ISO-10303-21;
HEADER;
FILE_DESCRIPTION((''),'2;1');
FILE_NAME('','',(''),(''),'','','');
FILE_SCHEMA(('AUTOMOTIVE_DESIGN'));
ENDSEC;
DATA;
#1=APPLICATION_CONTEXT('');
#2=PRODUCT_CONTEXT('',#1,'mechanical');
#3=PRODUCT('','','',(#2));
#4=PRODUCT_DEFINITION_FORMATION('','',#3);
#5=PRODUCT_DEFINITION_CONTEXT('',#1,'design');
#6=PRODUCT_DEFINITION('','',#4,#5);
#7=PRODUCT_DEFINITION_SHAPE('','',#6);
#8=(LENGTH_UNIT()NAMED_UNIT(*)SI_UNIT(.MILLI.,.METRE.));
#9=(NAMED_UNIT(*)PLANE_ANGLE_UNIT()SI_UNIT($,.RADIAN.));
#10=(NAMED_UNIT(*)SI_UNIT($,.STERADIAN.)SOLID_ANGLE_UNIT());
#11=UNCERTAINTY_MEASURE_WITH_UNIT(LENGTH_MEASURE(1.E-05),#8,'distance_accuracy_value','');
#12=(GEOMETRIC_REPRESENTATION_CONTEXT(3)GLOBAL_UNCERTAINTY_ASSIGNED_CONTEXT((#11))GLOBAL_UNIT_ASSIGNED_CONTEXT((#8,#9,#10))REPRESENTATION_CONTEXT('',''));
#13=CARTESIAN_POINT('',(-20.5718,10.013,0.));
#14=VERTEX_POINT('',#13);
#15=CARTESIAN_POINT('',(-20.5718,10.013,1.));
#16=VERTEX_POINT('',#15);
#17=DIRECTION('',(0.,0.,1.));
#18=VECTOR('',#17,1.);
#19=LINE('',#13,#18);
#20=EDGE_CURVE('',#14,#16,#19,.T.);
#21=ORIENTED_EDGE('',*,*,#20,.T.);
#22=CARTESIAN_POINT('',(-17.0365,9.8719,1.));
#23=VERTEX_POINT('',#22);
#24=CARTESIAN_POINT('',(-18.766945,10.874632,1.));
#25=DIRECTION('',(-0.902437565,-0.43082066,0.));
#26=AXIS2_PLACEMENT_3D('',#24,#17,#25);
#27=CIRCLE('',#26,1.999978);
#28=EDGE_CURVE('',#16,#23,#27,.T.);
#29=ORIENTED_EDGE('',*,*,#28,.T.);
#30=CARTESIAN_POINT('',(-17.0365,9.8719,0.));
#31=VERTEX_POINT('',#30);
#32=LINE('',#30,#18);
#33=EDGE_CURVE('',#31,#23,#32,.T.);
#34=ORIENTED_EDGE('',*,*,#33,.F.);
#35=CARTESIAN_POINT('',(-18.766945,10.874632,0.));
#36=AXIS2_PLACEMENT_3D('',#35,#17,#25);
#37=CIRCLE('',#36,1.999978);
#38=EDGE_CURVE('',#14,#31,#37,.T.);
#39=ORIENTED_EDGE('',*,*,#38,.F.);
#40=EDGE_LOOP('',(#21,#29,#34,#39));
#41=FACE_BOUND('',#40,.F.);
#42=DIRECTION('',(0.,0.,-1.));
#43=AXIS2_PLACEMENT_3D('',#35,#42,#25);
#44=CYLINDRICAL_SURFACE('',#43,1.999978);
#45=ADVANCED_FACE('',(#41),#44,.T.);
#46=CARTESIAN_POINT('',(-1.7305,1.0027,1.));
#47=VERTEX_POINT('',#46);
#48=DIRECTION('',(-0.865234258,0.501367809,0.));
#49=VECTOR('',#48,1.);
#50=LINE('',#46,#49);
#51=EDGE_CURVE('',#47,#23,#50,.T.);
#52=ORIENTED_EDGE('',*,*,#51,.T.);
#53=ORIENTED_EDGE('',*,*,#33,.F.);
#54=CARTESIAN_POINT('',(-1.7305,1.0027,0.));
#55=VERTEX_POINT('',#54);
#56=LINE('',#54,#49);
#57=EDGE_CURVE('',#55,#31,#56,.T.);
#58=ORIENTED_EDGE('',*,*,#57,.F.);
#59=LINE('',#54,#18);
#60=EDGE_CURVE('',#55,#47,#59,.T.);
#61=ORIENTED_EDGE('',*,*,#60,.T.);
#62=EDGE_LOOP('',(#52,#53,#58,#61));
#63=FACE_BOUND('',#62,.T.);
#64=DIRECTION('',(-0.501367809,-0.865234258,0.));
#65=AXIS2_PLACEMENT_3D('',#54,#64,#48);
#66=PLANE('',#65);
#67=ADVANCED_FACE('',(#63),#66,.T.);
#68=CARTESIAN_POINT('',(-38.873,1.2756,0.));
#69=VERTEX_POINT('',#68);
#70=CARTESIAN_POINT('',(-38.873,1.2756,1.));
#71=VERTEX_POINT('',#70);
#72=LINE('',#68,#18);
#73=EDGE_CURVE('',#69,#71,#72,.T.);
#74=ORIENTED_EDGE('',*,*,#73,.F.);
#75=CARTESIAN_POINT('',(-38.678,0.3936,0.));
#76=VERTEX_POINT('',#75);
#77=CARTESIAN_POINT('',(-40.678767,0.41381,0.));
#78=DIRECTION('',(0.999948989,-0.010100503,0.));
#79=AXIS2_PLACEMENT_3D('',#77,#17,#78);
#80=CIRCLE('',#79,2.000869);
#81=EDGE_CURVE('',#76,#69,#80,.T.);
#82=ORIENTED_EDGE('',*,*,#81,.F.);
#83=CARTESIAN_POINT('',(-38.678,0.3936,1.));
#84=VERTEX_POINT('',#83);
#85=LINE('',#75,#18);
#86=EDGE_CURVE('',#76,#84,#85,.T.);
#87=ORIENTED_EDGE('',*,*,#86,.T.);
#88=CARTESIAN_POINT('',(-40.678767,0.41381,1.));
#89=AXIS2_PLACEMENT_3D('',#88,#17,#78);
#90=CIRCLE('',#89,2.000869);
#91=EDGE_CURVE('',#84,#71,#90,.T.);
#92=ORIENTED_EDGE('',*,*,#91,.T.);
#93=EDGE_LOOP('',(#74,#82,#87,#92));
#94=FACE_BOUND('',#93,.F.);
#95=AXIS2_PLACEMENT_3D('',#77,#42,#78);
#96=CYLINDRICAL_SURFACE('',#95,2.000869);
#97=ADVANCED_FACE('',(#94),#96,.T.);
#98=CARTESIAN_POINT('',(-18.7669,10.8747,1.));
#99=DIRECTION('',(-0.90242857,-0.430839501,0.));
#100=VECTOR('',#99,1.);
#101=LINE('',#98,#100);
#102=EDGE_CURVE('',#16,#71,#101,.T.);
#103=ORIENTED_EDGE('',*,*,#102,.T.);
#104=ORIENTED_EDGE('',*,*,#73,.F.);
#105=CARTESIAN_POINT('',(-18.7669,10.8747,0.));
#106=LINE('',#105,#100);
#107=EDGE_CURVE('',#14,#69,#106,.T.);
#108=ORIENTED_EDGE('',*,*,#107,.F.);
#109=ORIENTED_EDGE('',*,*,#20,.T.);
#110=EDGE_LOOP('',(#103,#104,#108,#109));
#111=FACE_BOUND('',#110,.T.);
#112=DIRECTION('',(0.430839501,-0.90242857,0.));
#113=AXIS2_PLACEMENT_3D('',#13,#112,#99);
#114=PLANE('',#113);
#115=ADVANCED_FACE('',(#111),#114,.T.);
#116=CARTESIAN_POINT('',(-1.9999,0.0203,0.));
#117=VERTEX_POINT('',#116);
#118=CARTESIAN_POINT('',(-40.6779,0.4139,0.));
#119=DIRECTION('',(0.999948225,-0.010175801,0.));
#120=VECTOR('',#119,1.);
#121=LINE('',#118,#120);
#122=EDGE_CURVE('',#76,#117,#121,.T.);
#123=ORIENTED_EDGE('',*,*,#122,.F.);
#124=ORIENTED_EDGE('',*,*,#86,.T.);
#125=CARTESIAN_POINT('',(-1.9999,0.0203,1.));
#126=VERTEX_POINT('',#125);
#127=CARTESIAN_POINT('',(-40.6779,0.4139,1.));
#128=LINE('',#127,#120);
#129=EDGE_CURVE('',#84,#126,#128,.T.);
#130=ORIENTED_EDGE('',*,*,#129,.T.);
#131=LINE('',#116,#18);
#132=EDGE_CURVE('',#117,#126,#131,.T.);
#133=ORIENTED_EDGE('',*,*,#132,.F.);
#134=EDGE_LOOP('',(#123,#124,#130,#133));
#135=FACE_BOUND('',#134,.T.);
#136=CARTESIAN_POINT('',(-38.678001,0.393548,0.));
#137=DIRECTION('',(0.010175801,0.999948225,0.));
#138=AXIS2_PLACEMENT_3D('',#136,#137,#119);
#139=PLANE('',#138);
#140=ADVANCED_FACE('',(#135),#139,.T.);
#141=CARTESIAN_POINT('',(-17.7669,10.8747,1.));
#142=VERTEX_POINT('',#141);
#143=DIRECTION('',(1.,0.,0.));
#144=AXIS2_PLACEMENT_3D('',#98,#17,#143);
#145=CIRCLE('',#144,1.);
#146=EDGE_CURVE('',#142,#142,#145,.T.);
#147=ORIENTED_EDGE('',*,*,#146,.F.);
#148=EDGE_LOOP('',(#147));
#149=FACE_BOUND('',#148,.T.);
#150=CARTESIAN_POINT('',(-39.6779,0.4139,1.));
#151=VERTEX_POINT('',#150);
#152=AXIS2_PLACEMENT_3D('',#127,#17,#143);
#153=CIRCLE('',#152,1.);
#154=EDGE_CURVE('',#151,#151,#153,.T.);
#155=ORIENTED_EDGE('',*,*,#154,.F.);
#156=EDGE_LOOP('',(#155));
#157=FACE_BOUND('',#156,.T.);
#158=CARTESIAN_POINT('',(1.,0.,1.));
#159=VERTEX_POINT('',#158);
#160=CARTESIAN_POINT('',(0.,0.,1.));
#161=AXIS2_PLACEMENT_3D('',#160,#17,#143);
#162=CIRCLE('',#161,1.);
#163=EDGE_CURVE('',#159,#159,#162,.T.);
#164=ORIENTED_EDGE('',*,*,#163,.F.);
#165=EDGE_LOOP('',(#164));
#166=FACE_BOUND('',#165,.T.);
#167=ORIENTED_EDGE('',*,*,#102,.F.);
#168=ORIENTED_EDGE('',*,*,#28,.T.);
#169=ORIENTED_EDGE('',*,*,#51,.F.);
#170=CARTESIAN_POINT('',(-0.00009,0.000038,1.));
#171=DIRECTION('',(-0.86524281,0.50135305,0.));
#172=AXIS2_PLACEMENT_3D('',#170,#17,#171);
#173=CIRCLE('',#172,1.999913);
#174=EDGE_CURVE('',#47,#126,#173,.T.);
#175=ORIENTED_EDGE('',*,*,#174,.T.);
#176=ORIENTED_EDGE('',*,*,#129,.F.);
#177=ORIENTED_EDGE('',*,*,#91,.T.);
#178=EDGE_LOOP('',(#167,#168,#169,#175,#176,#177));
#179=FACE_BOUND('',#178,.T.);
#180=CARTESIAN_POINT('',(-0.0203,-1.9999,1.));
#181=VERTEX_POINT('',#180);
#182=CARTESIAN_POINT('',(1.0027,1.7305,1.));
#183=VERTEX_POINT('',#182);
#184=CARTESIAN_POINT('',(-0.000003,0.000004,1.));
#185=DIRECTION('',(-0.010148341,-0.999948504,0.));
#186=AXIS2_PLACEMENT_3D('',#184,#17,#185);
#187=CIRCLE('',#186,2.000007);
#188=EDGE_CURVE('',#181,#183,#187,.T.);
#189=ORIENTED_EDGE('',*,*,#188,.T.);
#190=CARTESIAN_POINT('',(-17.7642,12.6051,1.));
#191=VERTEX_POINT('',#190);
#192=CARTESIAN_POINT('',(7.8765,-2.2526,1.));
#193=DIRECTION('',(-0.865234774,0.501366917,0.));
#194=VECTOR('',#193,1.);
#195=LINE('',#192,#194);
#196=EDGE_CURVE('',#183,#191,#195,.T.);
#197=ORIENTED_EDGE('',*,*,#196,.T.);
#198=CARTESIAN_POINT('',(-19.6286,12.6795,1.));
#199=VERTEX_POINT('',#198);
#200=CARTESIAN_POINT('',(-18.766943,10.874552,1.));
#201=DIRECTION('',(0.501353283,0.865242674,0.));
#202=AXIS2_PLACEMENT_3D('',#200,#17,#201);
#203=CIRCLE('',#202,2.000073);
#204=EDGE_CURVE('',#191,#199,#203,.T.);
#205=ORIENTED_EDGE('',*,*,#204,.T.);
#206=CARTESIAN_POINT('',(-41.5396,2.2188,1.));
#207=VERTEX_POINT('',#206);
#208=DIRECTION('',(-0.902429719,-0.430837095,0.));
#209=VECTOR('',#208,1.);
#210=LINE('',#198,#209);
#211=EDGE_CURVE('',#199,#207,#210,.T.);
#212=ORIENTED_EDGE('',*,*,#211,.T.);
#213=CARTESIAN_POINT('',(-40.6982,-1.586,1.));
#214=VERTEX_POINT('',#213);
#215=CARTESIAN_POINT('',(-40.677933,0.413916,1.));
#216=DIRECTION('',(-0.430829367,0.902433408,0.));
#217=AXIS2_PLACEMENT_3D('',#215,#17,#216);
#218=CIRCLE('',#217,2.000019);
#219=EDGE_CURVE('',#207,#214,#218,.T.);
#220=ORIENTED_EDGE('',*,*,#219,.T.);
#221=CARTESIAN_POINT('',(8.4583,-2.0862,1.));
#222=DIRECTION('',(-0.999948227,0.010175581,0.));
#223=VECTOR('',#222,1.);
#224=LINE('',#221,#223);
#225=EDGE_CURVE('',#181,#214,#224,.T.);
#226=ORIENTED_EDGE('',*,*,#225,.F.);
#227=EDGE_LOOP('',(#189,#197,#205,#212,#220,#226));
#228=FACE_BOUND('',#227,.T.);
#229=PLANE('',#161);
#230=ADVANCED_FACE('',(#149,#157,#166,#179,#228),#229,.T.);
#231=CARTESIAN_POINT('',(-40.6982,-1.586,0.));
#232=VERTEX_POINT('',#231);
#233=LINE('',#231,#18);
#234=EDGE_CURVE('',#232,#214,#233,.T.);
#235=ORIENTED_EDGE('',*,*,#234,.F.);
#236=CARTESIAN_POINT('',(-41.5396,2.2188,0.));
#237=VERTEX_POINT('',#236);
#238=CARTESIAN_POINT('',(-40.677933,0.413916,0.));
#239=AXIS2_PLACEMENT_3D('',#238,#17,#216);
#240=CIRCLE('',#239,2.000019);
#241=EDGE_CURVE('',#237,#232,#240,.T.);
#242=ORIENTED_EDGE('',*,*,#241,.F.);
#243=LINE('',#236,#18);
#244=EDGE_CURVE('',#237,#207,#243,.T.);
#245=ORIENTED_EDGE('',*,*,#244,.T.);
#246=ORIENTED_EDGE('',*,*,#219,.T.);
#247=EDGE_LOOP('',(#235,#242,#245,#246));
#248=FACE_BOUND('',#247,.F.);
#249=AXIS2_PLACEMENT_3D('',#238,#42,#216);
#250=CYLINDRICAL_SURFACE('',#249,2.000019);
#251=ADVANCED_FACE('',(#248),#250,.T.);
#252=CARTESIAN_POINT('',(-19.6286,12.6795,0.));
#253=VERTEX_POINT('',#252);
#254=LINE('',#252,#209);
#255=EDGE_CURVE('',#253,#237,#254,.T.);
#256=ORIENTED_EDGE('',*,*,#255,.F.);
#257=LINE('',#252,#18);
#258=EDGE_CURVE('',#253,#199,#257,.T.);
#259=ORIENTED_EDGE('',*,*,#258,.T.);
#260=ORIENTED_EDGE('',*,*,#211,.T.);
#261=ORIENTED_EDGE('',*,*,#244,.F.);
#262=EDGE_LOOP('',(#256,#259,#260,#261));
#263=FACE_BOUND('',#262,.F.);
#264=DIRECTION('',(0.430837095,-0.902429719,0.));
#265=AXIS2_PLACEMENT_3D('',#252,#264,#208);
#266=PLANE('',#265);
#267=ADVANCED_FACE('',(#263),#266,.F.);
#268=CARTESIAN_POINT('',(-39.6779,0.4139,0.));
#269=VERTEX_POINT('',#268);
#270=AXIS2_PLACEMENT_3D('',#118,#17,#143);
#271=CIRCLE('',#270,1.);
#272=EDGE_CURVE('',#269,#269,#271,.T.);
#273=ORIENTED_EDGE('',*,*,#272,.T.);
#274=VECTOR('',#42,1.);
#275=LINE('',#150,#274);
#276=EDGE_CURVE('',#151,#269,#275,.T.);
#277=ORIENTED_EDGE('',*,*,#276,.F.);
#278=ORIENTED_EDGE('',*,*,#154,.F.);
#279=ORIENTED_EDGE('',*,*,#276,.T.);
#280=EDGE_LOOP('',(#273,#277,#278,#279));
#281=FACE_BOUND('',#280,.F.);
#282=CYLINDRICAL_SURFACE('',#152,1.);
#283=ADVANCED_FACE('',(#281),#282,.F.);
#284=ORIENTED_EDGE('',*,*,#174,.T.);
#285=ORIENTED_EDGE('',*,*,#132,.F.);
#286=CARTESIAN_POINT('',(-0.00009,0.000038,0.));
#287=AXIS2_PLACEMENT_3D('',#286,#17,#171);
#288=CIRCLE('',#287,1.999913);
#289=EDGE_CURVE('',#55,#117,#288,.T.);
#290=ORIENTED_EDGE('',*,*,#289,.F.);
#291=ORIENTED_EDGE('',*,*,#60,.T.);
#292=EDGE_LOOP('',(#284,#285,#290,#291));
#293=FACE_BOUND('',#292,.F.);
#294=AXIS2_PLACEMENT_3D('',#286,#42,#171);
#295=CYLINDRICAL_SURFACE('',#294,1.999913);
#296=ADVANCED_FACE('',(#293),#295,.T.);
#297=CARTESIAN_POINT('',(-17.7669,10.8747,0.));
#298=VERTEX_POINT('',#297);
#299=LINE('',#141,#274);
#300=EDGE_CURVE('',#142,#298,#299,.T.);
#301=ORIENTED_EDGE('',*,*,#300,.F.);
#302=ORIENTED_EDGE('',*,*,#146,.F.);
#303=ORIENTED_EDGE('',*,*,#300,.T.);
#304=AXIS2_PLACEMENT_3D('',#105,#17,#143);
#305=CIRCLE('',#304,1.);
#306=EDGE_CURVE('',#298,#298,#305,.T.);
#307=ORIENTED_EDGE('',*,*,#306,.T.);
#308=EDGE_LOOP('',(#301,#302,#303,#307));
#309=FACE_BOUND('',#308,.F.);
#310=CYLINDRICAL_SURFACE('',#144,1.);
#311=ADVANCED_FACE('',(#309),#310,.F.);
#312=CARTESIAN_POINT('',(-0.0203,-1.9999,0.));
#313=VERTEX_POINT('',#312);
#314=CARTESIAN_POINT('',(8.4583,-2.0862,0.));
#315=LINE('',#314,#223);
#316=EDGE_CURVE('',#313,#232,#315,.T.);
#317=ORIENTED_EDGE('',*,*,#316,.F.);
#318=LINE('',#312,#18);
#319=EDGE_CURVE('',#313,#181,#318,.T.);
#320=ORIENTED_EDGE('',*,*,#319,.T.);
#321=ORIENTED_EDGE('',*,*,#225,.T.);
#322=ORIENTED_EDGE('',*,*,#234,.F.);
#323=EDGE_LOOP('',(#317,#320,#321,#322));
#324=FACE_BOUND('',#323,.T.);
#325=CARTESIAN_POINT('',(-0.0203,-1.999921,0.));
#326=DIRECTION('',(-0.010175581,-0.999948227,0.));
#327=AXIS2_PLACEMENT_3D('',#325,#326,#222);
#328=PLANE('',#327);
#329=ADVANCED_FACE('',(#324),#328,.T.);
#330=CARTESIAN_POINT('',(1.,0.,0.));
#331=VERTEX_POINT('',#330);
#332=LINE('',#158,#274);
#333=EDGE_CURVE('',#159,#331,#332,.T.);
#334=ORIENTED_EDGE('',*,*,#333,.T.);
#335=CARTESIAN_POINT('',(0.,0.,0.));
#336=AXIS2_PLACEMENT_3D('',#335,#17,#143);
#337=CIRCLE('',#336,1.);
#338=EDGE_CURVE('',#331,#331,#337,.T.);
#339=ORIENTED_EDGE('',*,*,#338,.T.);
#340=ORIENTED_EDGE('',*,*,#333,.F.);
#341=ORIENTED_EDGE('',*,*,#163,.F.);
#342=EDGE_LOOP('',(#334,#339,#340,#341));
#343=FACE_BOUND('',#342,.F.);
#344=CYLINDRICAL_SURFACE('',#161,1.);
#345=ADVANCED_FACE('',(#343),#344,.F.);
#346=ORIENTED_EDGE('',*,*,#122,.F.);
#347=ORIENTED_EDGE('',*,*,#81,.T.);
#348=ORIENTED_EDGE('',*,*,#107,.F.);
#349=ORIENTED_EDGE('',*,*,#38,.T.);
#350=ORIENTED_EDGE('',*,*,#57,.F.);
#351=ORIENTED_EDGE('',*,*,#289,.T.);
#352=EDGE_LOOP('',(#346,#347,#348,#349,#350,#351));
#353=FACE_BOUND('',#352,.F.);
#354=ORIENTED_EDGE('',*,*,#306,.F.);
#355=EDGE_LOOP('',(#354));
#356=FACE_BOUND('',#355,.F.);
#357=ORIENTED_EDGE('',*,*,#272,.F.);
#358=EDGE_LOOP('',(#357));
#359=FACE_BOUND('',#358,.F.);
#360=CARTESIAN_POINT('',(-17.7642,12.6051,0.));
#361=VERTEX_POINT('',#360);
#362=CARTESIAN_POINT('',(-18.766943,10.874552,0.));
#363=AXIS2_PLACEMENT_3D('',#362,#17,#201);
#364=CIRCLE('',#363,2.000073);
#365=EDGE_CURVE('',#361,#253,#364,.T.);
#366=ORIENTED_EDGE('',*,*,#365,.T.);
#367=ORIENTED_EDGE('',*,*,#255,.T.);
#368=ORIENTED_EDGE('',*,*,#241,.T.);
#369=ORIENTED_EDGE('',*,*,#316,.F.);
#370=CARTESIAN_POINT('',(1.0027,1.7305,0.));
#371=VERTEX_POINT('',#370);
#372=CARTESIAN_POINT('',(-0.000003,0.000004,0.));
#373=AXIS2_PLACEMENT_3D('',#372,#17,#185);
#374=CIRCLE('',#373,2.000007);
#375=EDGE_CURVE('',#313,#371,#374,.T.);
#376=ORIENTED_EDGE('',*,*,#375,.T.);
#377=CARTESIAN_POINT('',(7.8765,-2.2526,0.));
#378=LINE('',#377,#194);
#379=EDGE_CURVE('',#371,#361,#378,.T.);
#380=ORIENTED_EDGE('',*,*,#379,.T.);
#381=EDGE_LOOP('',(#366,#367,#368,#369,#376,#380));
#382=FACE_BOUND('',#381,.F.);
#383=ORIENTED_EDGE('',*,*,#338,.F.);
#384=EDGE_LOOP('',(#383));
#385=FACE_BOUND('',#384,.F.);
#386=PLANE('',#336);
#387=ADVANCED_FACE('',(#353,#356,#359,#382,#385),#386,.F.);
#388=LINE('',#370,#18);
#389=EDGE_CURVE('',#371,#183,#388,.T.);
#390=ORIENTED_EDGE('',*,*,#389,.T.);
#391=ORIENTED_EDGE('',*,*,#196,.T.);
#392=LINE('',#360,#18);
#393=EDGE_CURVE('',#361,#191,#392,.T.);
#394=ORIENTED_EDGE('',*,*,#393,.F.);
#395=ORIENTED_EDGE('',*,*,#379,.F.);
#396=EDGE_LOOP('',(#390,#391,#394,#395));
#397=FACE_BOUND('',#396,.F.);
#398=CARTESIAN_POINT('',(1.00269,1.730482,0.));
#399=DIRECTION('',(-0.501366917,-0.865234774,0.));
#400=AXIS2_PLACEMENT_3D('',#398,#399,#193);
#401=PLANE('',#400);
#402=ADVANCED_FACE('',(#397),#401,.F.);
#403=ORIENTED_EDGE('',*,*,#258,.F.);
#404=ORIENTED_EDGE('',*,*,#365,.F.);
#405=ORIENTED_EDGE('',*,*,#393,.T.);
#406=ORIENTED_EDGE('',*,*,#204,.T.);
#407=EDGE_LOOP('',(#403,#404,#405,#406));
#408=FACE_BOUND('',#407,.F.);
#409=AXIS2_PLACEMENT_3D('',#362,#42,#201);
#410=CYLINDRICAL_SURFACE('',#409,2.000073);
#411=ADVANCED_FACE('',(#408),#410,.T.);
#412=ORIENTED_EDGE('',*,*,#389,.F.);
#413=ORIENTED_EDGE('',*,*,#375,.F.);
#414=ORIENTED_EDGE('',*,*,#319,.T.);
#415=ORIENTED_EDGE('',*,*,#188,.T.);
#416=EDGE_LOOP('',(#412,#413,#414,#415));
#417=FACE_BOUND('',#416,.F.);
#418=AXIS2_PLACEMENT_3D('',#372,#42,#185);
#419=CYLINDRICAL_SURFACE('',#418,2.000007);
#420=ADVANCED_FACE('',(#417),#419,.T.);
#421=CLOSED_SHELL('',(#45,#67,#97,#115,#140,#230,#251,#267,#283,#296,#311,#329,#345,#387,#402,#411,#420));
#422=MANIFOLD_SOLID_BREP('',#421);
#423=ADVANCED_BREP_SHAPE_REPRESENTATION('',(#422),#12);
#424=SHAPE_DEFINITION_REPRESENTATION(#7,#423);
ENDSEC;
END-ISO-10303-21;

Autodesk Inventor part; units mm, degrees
ref_plane "YZ Plane" through (0, 0, 0) normal (1, 0, 0) x (0, 1, 0)
ref_plane "XZ Plane" through (0, 0, 0) normal (0, 1, 0) x (-1, 0, 0)
ref_plane "XY Plane" through (0, 0, 0) normal (0, 0, 1) x (1, 0, 0)
sketch "草圖1" plane through (0, 0, 0) normal (0, 0, 1) x (1, 0, 0)
  line L0 (-1.7305, 1.0027) -> (-17.0365, 9.8719)
  line L1 (-18.7669, 10.8747) -> (-38.873, 1.2756)
  line L2 (-40.6779, 0.4139) -> (-1.9999, 0.0203)
  line L3 (8.4583, -2.0862) -> (-44.617, -1.5461)
  line L4 (-19.6286, 12.6795) -> (-43.3233, 1.3672)
  line L5 (7.8765, -2.2526) -> (-17.7642, 12.6051)
  arc A0 (-17.7642, 12.6051) -> (-19.6286, 12.6795) centre (-18.7669, 10.8747) ccw
  arc A1 (-20.5718, 10.013) -> (-17.0365, 9.8719) centre (-18.7669, 10.8747) ccw
  arc A2 (-1.7305, 1.0027) -> (-1.9999, 0.0203) centre (0, 0) ccw
  arc A3 (-0.0203, -1.9999) -> (1.0027, 1.7305) centre (0, 0) ccw
  arc A4 (-41.5396, 2.2188) -> (-40.6982, -1.586) centre (-40.6779, 0.4139) ccw
  arc A5 (-38.678, 0.3936) -> (-38.873, 1.2756) centre (-40.6779, 0.4139) ccw
  dimension "d0" = 21.69
  dimension "d1" = 24.28
  dimension "d2" = 40.68
extrude "擠出1" add sketch "草圖1" along normal blind 1 contours L3 A4 L4 A0 L5 A3
sketch "草圖2" plane through (0, 0, 1) normal (0, 0, 1) x (1, 0, 0)
  arc A0 (-20.5718, 10.013) -> (-17.0365, 9.8719) centre (-18.7669, 10.8747) ccw projected
  circle A1 centre (-18.7669, 10.8747) radius 1
  circle A2 centre (0, 0) radius 1
  arc A3 (-38.678, 0.3936) -> (-38.873, 1.2756) centre (-40.6779, 0.4139) ccw projected
  circle A4 centre (-40.6779, 0.4139) radius 1
  dimension "d8" = 2
  dimension "d9" = 2
  dimension "d10" = 2
extrude "擠出2" cut sketch "草圖2" against normal blind 10
properties part number "三角塊2"
